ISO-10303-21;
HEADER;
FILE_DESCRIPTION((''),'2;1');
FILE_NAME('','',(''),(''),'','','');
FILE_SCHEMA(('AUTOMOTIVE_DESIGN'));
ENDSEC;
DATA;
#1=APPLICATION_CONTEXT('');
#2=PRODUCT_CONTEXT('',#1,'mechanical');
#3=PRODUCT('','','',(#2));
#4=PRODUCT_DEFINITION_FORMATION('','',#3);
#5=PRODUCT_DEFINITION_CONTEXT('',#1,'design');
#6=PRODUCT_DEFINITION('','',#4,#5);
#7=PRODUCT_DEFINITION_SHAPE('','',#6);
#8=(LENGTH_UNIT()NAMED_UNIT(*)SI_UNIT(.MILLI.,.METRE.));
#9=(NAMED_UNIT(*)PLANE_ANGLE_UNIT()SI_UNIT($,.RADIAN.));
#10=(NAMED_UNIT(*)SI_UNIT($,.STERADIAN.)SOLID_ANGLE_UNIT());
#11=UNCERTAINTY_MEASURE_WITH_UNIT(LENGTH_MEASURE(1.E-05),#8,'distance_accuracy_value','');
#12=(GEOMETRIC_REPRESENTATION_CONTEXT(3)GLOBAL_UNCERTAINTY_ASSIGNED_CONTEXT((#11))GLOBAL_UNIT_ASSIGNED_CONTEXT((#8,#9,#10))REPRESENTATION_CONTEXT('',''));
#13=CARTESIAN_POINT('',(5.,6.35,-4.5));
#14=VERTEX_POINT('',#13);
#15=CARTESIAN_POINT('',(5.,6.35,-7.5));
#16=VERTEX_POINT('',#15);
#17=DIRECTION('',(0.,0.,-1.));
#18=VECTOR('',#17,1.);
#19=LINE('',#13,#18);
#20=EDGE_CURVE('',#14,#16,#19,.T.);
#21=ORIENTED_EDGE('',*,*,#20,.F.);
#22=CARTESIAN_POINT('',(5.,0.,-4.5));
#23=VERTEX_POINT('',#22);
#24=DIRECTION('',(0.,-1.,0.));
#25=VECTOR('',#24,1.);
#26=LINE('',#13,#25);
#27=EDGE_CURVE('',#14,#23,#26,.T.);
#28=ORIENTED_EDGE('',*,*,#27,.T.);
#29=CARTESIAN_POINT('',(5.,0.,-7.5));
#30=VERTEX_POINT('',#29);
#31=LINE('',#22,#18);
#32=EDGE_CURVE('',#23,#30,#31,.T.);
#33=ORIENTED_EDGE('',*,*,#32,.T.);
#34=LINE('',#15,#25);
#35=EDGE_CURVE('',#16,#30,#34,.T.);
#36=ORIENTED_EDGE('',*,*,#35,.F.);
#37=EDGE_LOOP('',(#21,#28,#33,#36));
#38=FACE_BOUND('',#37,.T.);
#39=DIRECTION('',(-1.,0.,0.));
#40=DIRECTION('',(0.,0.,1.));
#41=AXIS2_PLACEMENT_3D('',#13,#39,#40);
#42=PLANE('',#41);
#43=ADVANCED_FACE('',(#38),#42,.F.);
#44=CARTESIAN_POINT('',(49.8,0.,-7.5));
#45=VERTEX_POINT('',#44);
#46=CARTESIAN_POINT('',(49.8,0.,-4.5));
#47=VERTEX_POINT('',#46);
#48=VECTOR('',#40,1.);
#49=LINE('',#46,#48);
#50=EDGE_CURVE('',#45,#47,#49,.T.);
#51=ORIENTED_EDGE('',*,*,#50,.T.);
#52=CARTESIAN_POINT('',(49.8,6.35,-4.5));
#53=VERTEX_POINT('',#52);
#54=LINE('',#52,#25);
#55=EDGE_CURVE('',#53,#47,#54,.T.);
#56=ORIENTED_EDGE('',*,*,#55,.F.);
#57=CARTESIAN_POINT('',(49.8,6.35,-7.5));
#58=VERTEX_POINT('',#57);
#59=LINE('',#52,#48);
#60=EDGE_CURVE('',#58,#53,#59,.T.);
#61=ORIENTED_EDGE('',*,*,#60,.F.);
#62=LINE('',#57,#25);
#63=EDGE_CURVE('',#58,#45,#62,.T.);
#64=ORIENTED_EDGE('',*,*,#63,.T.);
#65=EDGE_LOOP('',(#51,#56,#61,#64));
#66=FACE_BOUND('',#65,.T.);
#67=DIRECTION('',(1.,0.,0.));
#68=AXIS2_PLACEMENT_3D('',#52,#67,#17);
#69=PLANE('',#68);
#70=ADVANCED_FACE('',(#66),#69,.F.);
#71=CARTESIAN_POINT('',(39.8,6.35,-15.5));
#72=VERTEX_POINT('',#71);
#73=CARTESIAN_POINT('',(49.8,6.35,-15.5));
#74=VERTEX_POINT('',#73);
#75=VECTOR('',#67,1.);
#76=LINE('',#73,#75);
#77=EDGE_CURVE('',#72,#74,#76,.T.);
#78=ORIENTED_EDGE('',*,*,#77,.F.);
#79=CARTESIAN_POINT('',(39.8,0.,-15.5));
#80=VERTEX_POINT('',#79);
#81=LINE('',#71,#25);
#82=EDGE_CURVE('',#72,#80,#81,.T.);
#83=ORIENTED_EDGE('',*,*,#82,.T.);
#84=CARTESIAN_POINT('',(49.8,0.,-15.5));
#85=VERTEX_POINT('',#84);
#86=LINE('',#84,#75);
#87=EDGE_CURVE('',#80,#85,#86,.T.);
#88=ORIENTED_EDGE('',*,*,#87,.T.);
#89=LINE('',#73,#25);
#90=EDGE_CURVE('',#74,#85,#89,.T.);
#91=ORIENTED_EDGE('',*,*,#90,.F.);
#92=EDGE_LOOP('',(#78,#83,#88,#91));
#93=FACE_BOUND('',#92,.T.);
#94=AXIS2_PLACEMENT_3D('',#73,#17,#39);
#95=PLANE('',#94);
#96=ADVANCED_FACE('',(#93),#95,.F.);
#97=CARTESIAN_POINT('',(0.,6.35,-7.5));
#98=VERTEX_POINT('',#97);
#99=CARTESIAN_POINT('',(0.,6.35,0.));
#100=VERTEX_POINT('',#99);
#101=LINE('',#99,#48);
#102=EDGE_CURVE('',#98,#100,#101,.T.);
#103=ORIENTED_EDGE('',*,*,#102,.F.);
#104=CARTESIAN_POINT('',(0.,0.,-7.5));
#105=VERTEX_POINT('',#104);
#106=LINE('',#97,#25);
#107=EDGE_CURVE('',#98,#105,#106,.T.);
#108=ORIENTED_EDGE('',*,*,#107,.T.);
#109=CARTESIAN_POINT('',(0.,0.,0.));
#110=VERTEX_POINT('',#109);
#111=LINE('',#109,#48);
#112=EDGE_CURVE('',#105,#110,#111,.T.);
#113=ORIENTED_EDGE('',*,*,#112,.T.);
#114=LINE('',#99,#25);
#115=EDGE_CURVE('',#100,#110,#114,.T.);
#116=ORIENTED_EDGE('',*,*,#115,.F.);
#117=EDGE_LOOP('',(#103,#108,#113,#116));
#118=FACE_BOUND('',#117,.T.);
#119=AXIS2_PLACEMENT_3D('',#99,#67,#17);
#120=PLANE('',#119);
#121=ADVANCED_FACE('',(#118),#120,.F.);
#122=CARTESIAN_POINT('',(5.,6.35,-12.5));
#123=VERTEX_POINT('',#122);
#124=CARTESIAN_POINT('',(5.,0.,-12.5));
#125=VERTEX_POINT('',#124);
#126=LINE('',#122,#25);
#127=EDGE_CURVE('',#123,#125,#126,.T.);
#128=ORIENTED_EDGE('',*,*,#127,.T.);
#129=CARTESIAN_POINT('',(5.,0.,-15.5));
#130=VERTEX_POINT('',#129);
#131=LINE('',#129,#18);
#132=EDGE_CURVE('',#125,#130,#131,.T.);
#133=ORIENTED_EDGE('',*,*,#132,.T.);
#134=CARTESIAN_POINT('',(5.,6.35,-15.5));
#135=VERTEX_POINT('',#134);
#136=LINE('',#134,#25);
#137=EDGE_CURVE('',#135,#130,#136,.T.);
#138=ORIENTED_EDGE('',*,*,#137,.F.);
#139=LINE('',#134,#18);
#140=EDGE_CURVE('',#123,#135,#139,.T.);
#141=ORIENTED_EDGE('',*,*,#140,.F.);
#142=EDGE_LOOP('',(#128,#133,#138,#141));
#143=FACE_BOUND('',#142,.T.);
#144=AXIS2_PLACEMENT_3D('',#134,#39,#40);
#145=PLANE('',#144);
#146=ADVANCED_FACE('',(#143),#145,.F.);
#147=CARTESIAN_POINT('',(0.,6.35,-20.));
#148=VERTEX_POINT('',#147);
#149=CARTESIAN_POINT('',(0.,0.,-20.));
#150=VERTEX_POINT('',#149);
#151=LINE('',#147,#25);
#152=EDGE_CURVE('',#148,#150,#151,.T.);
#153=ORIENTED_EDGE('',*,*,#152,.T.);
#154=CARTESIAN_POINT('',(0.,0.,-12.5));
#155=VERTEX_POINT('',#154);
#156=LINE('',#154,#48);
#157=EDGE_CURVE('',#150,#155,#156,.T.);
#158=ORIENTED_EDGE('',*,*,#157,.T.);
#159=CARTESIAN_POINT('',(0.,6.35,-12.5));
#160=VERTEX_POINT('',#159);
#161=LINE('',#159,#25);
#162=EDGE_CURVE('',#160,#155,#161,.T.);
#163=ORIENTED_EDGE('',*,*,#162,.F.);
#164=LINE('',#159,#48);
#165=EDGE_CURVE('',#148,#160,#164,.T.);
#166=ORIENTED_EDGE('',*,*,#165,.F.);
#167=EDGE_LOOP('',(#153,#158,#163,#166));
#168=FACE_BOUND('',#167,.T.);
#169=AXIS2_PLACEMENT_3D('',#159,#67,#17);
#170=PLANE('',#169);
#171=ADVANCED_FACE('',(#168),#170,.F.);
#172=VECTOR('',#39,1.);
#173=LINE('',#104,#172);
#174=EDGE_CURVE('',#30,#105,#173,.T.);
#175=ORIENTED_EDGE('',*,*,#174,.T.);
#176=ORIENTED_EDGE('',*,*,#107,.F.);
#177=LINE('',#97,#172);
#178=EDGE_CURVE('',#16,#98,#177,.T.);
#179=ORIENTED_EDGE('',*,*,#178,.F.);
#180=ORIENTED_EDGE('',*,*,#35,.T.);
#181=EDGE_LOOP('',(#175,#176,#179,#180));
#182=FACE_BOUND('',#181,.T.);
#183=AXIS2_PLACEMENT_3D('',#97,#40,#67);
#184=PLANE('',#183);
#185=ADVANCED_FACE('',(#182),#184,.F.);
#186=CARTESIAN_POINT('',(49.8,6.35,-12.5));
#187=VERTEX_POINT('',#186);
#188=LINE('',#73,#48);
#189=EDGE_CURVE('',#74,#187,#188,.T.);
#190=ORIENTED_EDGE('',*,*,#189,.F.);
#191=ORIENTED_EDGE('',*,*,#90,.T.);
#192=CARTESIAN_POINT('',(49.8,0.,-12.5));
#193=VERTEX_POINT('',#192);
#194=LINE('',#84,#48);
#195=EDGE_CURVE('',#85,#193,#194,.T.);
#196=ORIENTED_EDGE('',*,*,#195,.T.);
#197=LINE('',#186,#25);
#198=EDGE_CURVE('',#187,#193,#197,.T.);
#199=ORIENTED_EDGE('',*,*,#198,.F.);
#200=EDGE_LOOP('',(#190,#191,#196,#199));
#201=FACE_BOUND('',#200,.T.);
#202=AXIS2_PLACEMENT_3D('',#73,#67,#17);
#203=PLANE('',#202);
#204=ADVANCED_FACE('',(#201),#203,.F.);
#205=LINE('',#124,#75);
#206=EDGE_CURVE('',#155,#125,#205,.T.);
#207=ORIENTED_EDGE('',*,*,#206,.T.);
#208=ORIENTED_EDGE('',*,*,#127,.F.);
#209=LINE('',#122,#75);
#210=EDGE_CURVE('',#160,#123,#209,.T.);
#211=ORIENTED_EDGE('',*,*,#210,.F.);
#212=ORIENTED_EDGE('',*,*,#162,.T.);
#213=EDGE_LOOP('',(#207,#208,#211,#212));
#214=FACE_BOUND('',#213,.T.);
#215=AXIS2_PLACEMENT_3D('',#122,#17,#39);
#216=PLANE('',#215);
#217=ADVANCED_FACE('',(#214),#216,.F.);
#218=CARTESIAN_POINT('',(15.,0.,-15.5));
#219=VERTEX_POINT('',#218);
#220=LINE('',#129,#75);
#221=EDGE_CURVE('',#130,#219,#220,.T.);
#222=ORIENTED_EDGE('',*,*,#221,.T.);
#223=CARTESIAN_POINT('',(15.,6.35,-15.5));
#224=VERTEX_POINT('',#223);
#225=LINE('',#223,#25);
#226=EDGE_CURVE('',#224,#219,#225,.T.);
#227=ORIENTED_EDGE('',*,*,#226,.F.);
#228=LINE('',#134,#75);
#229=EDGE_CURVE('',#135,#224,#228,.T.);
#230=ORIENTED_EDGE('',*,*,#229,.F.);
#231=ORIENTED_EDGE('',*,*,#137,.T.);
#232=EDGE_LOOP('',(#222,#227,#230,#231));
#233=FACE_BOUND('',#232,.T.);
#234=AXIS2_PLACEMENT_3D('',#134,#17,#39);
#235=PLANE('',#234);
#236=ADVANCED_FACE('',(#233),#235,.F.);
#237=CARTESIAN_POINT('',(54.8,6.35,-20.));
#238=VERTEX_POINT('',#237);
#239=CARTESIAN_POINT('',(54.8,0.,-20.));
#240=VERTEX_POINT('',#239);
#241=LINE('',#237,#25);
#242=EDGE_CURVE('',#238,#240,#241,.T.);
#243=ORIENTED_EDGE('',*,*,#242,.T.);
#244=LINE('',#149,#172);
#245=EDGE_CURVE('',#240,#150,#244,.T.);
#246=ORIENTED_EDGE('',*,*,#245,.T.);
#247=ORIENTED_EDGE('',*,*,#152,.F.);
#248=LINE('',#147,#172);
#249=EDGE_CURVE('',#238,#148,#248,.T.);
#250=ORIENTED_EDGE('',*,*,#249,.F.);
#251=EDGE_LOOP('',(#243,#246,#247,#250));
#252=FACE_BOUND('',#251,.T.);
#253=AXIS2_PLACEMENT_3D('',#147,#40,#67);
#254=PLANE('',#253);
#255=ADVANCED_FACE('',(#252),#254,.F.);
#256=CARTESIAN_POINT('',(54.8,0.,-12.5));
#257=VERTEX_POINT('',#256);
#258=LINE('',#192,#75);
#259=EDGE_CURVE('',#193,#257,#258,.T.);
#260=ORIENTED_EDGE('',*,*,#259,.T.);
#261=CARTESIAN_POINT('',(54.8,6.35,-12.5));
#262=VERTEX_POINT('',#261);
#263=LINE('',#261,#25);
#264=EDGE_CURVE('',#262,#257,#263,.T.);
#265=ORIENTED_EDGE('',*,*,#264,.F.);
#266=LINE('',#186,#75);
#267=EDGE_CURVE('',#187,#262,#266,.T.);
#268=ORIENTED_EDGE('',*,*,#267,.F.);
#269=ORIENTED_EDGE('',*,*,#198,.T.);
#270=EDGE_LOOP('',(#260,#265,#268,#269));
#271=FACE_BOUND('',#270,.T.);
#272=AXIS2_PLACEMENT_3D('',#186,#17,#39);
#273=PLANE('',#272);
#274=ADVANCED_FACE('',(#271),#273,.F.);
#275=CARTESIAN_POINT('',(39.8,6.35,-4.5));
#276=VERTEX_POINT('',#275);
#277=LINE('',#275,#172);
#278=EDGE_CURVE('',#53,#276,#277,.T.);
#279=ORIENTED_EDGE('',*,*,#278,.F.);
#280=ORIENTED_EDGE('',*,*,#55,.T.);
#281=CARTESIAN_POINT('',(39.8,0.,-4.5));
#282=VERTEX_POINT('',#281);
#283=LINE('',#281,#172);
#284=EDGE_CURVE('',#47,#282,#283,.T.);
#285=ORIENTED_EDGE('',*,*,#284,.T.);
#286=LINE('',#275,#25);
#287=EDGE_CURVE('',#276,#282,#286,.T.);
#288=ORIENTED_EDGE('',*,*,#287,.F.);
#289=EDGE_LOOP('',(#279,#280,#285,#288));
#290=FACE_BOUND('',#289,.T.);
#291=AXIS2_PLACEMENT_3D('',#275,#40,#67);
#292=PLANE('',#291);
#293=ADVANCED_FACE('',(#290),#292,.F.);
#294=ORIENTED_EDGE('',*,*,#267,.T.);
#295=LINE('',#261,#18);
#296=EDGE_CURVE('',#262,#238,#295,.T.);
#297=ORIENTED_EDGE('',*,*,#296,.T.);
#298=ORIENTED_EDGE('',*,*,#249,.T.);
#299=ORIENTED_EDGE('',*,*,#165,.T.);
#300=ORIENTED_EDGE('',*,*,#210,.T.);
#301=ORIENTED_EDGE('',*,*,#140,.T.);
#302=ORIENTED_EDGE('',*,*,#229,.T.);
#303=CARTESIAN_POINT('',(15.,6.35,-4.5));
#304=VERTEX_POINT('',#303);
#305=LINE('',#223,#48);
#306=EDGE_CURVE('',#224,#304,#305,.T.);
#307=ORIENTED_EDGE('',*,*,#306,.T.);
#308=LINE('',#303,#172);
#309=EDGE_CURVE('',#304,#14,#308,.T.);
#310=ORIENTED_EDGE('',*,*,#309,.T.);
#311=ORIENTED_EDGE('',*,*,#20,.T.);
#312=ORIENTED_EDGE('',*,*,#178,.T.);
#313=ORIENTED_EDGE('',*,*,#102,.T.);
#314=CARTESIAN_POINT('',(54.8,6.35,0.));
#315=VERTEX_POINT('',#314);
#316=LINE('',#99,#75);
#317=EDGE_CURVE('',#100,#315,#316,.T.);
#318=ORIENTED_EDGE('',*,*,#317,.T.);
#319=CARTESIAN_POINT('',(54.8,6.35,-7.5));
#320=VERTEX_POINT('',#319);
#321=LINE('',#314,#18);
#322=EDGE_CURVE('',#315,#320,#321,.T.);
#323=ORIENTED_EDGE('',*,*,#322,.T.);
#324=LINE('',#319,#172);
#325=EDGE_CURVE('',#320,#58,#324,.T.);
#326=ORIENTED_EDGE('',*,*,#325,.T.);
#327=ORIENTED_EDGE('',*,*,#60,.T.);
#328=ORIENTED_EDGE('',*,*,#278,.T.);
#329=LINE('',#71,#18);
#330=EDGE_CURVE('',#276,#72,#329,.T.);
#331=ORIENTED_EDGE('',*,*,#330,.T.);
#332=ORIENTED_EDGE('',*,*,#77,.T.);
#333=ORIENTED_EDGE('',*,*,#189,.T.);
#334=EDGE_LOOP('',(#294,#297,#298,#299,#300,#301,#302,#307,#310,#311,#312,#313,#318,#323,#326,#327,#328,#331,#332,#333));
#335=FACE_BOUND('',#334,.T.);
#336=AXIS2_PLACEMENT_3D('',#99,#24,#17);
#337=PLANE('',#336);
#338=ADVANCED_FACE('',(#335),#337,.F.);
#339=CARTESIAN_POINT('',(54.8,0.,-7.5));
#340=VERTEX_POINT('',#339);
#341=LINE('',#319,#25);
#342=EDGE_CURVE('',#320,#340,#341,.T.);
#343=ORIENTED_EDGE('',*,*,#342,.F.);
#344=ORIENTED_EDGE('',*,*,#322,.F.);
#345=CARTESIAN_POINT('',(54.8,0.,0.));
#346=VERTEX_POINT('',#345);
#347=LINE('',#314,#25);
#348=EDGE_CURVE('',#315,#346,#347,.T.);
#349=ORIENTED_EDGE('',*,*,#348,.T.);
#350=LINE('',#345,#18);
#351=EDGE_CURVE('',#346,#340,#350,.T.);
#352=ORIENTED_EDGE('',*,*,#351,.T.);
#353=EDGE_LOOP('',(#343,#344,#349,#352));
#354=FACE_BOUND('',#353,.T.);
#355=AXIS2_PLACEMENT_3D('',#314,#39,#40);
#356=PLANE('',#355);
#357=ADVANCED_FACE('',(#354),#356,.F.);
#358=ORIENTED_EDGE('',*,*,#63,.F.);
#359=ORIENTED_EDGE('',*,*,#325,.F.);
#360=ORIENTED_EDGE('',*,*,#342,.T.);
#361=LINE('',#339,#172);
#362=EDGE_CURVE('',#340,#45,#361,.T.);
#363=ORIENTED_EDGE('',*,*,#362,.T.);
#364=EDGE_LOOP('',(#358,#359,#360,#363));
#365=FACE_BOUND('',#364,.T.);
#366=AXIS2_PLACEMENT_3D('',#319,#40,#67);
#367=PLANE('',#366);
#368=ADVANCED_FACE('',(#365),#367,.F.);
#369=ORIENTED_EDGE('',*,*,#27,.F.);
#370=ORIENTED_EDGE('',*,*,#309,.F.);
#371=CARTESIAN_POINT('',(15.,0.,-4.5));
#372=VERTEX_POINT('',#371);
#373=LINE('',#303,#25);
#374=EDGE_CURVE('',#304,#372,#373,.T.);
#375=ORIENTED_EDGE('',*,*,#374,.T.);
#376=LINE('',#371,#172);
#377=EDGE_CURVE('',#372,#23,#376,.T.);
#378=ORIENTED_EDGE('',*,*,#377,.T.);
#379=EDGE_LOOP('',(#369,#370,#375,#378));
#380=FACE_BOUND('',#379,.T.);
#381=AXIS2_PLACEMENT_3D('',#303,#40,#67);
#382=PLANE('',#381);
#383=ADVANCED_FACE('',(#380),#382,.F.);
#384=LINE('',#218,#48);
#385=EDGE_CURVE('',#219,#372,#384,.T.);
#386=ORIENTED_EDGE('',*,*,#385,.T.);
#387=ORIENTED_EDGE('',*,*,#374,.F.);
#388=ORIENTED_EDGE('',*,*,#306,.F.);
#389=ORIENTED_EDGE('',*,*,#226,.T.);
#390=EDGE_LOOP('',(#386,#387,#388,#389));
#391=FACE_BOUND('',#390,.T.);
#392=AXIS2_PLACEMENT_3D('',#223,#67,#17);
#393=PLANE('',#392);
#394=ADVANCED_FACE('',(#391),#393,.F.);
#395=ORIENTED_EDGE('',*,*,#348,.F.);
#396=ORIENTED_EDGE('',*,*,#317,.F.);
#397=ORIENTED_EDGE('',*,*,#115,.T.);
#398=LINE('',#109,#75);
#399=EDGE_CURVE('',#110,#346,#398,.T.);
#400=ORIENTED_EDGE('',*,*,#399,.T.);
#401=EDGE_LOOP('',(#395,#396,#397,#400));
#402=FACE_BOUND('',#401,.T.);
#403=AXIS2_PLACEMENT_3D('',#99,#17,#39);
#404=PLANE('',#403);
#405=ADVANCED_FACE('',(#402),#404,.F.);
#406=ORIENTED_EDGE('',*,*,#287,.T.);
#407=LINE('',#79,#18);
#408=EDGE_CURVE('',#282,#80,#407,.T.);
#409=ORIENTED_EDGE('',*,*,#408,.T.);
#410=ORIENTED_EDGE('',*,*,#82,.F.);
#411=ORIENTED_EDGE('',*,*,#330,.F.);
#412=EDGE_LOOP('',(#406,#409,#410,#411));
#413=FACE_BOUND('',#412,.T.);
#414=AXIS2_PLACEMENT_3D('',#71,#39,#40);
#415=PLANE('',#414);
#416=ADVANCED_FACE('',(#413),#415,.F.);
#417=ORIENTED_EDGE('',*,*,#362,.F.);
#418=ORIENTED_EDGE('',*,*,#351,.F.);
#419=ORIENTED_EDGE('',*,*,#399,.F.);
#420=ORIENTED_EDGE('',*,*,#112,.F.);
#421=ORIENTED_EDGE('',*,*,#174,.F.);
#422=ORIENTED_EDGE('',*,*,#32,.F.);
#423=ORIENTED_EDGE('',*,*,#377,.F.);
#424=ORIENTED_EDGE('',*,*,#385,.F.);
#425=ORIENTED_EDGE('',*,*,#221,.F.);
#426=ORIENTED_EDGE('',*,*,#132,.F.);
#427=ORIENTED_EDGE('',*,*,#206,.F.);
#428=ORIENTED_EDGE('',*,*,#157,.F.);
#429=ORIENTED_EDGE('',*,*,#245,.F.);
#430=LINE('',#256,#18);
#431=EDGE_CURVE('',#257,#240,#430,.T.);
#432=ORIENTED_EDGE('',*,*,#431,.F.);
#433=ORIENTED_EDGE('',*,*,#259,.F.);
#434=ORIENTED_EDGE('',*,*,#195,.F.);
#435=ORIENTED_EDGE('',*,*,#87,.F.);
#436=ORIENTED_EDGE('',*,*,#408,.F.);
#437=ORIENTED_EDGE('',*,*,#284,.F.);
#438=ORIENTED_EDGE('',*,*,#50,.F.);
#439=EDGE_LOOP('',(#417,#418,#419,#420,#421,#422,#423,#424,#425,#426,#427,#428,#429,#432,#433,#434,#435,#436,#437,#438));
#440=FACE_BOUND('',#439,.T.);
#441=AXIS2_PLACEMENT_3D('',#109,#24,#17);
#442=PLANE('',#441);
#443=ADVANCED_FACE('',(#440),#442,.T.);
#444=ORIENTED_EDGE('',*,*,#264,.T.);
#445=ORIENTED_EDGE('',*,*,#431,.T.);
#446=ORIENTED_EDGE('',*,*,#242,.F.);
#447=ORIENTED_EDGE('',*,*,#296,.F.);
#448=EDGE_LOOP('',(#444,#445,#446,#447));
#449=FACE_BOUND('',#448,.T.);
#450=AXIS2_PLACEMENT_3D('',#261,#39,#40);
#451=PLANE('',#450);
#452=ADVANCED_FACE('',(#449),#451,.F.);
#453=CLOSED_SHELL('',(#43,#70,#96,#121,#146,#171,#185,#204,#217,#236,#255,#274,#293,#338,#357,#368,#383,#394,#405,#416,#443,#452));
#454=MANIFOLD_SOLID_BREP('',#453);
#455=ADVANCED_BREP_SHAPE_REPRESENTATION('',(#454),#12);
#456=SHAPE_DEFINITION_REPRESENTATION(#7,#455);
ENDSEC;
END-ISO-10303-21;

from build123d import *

# Parameters (mm, degrees)
BOSS_EXTRUDE1_DEPTH = 6.35


with BuildPart() as part:
    # Sketch1 → Boss-Extrude1 (new body)
    with BuildSketch(Plane(origin=(0, 0, 0), x_dir=(1, 0, 0), z_dir=(0, 1, 0))):
        Polygon((0, 7.5), (5, 7.5), (5, 4.5), (15, 4.5), (15, 15.5), (5, 15.5), (5, 12.5), (0, 12.5), (0, 20), (54.8, 20), (54.8, 12.5), (49.8, 12.5), (49.8, 15.5), (39.8, 15.5), (39.8, 4.5), (49.8, 4.5), (49.8, 7.5), (54.8, 7.5), (54.8, 0), (0, 0), align=None)
    extrude(amount=BOSS_EXTRUDE1_DEPTH)


solid = part.part
